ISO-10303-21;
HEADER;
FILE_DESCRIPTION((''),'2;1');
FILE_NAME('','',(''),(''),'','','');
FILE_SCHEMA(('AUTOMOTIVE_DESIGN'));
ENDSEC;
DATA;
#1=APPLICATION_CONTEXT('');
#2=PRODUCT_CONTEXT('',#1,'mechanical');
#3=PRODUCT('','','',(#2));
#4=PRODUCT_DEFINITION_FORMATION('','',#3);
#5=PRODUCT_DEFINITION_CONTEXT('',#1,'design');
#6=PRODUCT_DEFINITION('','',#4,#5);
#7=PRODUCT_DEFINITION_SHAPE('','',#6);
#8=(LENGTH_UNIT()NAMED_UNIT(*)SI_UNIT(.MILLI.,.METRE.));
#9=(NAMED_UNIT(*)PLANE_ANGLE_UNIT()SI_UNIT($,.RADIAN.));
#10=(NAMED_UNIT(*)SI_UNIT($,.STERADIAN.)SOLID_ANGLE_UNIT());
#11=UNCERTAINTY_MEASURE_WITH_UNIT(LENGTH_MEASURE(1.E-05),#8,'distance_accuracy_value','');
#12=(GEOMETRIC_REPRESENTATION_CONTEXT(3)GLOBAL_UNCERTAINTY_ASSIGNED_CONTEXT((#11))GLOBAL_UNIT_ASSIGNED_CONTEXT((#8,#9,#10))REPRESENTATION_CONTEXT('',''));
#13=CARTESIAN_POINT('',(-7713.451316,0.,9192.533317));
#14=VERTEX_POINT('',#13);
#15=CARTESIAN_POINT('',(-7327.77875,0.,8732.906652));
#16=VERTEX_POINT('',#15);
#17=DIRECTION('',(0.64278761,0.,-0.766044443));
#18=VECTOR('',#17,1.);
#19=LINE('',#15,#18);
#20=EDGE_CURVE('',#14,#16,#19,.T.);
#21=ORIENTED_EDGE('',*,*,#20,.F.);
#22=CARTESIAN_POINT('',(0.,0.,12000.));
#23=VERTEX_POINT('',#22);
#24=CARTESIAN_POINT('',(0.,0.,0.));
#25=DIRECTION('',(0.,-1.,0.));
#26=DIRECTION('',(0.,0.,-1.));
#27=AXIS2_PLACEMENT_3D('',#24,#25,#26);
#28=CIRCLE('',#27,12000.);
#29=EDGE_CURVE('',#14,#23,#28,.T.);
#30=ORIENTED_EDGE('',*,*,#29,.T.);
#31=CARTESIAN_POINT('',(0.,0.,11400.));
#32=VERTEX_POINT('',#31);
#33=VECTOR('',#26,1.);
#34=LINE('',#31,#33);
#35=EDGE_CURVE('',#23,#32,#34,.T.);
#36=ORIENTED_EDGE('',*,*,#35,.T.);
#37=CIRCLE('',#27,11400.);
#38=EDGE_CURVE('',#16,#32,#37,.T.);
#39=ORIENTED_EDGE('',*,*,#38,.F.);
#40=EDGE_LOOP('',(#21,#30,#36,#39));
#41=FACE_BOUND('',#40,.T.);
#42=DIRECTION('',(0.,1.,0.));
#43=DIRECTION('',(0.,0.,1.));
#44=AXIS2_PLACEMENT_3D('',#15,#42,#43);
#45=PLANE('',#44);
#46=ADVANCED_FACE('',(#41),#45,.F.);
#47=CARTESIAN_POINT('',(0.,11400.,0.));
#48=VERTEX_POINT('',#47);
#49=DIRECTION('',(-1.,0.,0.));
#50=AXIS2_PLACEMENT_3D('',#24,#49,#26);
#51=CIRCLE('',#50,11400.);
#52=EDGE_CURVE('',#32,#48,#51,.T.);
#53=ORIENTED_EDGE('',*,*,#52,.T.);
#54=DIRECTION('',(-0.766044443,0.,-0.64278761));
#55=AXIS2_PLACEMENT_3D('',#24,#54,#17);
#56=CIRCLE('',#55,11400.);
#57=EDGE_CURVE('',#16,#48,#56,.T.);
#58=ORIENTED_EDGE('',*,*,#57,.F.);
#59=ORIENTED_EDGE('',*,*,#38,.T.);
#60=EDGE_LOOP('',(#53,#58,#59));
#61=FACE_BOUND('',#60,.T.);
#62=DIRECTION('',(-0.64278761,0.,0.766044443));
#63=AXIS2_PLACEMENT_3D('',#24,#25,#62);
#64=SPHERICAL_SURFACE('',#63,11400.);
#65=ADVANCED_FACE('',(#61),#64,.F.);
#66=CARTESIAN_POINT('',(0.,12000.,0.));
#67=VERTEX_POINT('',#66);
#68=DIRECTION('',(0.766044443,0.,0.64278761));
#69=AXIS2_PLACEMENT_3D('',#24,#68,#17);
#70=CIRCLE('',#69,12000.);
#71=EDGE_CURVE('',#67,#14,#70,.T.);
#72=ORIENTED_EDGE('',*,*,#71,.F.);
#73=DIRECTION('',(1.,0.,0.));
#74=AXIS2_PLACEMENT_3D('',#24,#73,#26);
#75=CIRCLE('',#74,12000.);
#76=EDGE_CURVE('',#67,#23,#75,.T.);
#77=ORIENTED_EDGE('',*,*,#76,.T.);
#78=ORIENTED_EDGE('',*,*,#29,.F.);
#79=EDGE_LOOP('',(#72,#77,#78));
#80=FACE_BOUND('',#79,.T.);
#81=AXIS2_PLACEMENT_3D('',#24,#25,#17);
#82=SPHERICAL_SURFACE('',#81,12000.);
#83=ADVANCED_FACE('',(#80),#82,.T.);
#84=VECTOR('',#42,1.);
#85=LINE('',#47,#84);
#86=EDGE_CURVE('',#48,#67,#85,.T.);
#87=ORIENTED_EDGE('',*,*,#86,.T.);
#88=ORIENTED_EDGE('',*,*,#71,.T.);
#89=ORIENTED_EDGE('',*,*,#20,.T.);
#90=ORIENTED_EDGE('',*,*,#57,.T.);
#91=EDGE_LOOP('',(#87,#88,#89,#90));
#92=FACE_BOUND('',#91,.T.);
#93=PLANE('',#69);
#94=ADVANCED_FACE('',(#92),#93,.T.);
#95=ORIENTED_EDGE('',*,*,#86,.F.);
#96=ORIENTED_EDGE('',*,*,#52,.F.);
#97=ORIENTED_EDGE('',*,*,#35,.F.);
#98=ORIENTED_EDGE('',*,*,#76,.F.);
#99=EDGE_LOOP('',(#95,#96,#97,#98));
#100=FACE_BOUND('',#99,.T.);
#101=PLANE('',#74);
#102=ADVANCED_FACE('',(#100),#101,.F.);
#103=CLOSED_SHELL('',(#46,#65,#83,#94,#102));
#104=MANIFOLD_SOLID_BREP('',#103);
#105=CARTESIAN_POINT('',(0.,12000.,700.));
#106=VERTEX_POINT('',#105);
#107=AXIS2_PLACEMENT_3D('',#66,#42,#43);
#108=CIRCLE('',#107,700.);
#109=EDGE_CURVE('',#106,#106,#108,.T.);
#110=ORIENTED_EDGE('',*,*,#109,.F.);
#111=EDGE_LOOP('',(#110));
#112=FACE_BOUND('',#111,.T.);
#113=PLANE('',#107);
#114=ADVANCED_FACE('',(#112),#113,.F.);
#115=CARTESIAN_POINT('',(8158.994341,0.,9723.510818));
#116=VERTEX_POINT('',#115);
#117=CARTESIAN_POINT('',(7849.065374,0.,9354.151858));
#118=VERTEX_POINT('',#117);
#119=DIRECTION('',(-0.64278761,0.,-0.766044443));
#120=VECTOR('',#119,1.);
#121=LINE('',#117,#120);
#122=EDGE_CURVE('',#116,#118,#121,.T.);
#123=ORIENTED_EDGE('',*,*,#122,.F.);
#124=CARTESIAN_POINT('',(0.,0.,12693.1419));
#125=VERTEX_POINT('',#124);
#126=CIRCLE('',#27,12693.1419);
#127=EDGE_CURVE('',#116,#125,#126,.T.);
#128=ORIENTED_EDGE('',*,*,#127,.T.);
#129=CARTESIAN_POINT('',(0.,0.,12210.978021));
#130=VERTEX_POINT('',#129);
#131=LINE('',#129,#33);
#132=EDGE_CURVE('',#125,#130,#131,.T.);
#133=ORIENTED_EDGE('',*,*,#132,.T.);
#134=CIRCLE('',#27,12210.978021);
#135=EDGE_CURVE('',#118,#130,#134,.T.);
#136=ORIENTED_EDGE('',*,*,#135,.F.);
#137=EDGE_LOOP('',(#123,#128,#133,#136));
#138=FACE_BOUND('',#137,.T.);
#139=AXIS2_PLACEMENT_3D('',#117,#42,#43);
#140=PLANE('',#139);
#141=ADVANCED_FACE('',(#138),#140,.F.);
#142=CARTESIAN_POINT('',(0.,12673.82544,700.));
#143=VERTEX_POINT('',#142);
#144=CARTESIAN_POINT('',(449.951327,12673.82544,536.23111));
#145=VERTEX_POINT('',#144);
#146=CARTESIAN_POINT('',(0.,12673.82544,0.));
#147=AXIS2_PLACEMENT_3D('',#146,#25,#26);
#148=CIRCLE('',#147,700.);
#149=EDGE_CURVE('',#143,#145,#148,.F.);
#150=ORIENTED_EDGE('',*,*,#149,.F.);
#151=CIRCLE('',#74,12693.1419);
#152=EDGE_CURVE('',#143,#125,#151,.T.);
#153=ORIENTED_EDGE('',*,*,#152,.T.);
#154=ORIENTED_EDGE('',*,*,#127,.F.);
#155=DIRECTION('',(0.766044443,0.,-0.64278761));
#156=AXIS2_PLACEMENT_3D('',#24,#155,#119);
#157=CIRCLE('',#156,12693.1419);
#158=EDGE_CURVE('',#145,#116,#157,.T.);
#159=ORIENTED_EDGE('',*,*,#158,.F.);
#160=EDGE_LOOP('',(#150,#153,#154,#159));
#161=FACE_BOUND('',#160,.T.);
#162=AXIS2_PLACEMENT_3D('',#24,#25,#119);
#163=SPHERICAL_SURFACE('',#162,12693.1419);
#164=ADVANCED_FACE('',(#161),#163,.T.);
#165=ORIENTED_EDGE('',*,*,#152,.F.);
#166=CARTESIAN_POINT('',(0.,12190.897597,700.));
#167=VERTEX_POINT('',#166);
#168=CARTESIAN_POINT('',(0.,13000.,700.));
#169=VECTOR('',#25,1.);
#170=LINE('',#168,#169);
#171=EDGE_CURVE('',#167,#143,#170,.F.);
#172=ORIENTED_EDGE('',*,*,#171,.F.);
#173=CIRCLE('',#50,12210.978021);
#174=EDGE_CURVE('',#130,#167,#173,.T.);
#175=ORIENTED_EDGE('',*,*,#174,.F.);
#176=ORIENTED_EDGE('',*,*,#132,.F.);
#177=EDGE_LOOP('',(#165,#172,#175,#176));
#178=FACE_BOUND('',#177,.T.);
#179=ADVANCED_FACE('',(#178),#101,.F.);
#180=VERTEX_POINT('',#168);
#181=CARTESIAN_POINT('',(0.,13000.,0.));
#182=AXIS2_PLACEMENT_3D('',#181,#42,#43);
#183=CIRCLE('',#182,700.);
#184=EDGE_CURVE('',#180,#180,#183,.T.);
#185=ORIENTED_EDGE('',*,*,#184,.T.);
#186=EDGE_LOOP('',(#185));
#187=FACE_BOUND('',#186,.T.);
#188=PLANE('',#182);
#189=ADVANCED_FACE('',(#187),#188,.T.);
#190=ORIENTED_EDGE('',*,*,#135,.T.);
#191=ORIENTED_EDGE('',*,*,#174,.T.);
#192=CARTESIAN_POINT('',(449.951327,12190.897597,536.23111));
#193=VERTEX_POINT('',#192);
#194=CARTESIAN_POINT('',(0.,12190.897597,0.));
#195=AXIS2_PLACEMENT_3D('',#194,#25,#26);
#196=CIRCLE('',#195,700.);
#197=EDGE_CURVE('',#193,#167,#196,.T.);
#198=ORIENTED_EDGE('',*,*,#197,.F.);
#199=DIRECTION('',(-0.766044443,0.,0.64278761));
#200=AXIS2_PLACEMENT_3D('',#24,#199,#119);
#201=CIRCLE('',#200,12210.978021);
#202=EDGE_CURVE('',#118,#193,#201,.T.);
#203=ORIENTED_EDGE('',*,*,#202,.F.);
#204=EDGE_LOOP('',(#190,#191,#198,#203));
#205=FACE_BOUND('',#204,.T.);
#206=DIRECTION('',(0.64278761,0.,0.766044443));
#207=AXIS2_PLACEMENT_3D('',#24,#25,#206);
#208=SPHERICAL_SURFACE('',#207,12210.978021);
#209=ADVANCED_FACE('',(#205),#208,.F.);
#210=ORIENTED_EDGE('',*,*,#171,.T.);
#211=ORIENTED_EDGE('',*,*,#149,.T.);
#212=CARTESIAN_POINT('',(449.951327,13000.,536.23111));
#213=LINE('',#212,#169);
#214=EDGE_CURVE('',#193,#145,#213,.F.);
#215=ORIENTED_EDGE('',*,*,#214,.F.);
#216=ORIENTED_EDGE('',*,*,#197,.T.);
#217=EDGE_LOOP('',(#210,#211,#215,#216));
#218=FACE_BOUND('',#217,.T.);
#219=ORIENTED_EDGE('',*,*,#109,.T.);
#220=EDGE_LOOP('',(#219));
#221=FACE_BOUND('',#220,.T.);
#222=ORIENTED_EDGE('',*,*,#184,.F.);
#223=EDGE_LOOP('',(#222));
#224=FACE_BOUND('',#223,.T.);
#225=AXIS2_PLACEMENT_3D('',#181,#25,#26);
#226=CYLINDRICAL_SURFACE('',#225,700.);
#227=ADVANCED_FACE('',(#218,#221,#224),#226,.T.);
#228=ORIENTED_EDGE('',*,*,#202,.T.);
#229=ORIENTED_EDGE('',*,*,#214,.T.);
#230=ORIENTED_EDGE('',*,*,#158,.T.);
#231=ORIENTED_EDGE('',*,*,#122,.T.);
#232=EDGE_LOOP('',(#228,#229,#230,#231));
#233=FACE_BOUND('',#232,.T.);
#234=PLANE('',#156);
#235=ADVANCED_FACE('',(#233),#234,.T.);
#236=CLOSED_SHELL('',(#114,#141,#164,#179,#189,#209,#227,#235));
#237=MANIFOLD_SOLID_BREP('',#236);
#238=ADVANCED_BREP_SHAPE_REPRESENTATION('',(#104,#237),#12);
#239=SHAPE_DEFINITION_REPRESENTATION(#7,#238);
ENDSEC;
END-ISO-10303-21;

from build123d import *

# Parameters (mm, degrees)
REVOLVE1_ANGLE      = 320
REVOLVE2_ANGLE      = 40
SKETCH3_R           = 700
BOSS_EXTRUDE1_DEPTH = 1000


with BuildPart() as part:
    # Sketch1 → Revolve1 (revolve)
    with BuildSketch(Plane(origin=(0, 0, 0), x_dir=(0, 0, -1), z_dir=(1, 0, 0))):
        with BuildLine():
            Line((0, 11400), (0, 12000))
            ThreePointArc((0, 12000), (-8485.281374239, 8485.281374239), (-12000, 0))
            Line((-12000, 0), (-11400, 0))
            ThreePointArc((-11400, 0), (-8061.017305527, 8061.017305527), (0, 11400))
        make_face()
    revolve(axis=Axis((0, 11400, 0), (0, 1, 0)), revolution_arc=REVOLVE1_ANGLE)


with BuildPart() as body_2:
    # Sketch2 → Revolve2 (revolve)
    with BuildSketch(Plane(origin=(0, 0, 0), x_dir=(0, 0, -1), z_dir=(1, 0, 0))):
        with BuildLine():
            Line((-12210.978021133, 0), (-12693.141899801, 0))
            ThreePointArc((-12693.141899801, 0), (-8975.406711913, 8975.406711913), (0, 12693.141899801))
            Line((0, 12693.141899801), (0, 12210.978021133))
            ThreePointArc((0, 12210.978021133), (-8634.465363663, 8634.465363663), (-12210.978021133, 0))
        make_face()
    revolve(axis=Axis((0, 12210.978021133, 0), (0, 1, 0)), revolution_arc=REVOLVE2_ANGLE)

    # Sketch3 → Boss-Extrude1 (add)
    with BuildSketch(Plane(origin=(0, 12000, 0), x_dir=(1, 0, 0), z_dir=(0, 1, 0))):
        with Locations(Location((0, 0, 0), (0, 0, 270))):
            Circle(SKETCH3_R)
    extrude(amount=BOSS_EXTRUDE1_DEPTH)


solid = Compound([part.part, body_2.part])
